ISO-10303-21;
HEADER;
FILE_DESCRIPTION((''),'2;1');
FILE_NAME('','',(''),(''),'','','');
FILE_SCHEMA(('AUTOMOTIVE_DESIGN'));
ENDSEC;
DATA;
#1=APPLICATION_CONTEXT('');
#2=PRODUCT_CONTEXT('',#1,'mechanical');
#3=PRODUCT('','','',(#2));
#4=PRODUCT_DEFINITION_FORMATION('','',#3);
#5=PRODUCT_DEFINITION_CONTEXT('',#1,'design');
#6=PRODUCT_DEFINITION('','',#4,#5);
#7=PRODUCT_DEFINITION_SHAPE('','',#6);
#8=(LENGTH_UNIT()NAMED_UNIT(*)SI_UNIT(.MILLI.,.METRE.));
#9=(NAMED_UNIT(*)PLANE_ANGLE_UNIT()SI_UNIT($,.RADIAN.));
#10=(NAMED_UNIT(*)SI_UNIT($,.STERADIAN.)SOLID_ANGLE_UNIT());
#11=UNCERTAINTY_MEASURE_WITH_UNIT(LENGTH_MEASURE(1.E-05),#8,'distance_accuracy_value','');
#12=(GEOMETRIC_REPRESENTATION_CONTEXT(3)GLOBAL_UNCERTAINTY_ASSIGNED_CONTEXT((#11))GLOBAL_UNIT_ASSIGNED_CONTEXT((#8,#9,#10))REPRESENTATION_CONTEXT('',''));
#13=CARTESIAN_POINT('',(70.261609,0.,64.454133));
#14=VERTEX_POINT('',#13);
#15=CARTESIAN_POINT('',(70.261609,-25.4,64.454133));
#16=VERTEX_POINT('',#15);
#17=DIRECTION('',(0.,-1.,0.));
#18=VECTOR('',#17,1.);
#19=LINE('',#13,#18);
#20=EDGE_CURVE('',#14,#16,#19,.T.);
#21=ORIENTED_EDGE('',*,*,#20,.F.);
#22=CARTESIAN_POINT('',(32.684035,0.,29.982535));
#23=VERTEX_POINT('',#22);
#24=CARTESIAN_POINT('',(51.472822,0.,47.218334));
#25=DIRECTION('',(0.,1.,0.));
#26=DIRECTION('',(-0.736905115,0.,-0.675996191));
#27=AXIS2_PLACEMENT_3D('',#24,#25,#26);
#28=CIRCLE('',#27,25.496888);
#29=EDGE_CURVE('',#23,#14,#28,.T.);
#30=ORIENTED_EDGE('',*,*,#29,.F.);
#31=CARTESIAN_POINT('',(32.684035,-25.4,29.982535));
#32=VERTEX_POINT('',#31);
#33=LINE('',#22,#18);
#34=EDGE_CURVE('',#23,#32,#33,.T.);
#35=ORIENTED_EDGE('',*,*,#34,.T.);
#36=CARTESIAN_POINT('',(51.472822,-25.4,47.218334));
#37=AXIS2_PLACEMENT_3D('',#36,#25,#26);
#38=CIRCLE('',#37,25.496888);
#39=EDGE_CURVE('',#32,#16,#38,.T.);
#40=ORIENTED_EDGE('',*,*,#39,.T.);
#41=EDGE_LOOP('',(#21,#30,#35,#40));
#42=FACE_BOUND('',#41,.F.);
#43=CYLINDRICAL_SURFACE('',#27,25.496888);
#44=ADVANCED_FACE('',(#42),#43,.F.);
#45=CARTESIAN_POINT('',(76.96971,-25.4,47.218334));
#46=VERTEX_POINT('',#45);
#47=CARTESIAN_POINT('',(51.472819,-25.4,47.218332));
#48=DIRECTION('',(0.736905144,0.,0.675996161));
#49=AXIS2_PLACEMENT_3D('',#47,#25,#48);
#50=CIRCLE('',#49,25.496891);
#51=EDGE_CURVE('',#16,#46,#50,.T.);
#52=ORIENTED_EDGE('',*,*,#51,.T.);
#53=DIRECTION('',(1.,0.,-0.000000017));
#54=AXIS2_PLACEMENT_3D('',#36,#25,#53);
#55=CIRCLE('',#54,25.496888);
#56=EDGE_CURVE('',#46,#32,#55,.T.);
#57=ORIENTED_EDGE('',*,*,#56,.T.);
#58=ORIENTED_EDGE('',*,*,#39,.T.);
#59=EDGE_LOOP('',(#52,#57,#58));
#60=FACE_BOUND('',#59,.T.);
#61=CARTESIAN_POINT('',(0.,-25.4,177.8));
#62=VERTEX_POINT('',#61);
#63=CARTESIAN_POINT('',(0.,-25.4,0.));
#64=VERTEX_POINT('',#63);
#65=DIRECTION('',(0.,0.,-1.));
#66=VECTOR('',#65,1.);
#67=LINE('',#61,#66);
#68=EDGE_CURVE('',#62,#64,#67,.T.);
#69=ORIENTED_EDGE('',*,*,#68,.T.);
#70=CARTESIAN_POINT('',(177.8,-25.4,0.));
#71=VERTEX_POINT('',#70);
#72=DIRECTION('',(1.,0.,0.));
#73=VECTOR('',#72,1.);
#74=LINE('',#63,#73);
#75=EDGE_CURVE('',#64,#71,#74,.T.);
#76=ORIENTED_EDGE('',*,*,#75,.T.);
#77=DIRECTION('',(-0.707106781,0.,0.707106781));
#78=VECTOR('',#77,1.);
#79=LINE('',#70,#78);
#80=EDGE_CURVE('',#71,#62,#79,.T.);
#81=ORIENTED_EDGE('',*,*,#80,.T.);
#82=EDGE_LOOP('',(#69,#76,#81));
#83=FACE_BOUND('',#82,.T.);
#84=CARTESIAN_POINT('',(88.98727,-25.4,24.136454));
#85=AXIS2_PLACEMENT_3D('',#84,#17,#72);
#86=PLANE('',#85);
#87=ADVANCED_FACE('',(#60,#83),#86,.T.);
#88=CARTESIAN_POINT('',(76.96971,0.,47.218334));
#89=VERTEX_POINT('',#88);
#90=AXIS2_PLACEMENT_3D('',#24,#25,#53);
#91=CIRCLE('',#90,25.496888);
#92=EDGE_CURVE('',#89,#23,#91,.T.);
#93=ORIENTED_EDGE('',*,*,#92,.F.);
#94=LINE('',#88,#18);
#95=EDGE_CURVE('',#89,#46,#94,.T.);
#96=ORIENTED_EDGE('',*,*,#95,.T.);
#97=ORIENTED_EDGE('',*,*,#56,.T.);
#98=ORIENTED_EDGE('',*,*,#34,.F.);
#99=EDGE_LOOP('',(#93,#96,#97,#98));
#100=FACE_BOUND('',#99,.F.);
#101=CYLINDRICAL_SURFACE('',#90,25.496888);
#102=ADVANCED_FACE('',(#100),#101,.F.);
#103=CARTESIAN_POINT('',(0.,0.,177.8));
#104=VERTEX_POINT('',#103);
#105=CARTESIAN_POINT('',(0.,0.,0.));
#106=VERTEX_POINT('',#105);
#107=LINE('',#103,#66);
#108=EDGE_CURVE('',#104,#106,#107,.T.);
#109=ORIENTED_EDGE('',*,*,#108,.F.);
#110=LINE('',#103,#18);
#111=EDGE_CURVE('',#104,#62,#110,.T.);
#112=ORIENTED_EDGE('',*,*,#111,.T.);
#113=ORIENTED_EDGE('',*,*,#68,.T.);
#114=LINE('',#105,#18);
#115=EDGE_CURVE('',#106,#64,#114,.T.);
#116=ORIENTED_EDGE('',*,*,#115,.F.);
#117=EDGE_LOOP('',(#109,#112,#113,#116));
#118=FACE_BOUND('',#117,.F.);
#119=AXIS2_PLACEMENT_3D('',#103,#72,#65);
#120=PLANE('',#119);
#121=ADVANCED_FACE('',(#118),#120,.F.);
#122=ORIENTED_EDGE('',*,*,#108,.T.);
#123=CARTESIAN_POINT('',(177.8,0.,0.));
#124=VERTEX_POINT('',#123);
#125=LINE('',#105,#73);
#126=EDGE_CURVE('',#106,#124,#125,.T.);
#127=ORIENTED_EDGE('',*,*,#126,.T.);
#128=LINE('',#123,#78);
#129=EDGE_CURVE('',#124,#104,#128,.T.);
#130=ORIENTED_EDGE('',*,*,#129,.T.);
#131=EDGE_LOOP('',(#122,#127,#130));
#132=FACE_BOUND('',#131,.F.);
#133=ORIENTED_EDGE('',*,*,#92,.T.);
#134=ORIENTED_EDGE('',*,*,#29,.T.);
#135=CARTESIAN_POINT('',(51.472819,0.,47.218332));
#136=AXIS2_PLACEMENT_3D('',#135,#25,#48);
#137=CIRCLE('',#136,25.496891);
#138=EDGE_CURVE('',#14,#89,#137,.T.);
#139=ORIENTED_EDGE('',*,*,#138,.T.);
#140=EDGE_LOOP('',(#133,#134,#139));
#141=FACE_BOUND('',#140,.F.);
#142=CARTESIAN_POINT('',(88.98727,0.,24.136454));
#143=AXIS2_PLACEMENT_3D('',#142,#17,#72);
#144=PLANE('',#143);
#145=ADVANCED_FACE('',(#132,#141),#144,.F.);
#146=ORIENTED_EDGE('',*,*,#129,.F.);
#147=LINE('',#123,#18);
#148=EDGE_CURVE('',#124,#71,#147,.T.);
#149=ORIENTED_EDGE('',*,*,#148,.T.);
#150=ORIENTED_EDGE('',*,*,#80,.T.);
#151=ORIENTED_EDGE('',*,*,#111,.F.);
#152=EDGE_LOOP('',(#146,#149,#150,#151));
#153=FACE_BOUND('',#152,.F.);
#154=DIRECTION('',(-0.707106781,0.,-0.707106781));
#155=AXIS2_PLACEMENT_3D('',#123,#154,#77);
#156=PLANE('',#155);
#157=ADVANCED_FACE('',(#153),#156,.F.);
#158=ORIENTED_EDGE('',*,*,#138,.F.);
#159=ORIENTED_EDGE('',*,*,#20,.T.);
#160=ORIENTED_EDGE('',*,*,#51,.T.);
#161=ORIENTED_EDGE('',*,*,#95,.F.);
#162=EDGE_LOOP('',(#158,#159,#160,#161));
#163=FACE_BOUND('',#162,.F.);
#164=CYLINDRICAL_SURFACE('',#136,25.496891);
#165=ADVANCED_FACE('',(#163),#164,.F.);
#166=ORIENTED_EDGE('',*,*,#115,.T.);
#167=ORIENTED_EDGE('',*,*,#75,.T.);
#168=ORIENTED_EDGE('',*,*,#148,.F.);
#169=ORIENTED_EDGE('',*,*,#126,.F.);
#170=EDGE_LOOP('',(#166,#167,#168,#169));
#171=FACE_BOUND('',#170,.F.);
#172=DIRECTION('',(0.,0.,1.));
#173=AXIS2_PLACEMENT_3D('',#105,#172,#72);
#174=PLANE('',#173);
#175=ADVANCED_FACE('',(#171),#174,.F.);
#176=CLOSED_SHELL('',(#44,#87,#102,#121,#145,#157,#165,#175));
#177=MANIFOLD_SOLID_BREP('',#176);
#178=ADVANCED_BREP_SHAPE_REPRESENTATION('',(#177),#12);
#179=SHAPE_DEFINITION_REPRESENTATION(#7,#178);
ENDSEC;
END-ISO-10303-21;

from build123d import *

# Parameters (mm, degrees)
F1_DEPTH = 25.4


with BuildPart() as f1:
    # F0 (on Front) → F1 (new body)
    with BuildSketch(Plane.XZ):
        with BuildLine():
            Line((32.684035, 29.982535), (0, 0))
            Line((0, 0), (177.8, 0))
            Line((177.8, 0), (92.7324, 85.0676))
            Line((92.7324, 85.0676), (70.261609, 64.454133))
            ThreePointArc((70.261609, 64.454133), (75.233576, 56.46592), (76.96971, 47.218334))
            ThreePointArc((76.96971, 47.218334), (60.720408, 23.45758), (32.684035, 29.982535))
        make_face()
        with BuildLine():
            Line((0, 177.8), (0, 0))
            Line((0, 0), (32.684035, 29.982535))
            ThreePointArc((32.684035, 29.982535), (34.237023, 66.007121), (70.261609, 64.454133))
            Line((70.261609, 64.454133), (92.7324, 85.0676))
            Line((92.7324, 85.0676), (0, 177.8))
        make_face()
    extrude(amount=F1_DEPTH)


solid = f1.part
